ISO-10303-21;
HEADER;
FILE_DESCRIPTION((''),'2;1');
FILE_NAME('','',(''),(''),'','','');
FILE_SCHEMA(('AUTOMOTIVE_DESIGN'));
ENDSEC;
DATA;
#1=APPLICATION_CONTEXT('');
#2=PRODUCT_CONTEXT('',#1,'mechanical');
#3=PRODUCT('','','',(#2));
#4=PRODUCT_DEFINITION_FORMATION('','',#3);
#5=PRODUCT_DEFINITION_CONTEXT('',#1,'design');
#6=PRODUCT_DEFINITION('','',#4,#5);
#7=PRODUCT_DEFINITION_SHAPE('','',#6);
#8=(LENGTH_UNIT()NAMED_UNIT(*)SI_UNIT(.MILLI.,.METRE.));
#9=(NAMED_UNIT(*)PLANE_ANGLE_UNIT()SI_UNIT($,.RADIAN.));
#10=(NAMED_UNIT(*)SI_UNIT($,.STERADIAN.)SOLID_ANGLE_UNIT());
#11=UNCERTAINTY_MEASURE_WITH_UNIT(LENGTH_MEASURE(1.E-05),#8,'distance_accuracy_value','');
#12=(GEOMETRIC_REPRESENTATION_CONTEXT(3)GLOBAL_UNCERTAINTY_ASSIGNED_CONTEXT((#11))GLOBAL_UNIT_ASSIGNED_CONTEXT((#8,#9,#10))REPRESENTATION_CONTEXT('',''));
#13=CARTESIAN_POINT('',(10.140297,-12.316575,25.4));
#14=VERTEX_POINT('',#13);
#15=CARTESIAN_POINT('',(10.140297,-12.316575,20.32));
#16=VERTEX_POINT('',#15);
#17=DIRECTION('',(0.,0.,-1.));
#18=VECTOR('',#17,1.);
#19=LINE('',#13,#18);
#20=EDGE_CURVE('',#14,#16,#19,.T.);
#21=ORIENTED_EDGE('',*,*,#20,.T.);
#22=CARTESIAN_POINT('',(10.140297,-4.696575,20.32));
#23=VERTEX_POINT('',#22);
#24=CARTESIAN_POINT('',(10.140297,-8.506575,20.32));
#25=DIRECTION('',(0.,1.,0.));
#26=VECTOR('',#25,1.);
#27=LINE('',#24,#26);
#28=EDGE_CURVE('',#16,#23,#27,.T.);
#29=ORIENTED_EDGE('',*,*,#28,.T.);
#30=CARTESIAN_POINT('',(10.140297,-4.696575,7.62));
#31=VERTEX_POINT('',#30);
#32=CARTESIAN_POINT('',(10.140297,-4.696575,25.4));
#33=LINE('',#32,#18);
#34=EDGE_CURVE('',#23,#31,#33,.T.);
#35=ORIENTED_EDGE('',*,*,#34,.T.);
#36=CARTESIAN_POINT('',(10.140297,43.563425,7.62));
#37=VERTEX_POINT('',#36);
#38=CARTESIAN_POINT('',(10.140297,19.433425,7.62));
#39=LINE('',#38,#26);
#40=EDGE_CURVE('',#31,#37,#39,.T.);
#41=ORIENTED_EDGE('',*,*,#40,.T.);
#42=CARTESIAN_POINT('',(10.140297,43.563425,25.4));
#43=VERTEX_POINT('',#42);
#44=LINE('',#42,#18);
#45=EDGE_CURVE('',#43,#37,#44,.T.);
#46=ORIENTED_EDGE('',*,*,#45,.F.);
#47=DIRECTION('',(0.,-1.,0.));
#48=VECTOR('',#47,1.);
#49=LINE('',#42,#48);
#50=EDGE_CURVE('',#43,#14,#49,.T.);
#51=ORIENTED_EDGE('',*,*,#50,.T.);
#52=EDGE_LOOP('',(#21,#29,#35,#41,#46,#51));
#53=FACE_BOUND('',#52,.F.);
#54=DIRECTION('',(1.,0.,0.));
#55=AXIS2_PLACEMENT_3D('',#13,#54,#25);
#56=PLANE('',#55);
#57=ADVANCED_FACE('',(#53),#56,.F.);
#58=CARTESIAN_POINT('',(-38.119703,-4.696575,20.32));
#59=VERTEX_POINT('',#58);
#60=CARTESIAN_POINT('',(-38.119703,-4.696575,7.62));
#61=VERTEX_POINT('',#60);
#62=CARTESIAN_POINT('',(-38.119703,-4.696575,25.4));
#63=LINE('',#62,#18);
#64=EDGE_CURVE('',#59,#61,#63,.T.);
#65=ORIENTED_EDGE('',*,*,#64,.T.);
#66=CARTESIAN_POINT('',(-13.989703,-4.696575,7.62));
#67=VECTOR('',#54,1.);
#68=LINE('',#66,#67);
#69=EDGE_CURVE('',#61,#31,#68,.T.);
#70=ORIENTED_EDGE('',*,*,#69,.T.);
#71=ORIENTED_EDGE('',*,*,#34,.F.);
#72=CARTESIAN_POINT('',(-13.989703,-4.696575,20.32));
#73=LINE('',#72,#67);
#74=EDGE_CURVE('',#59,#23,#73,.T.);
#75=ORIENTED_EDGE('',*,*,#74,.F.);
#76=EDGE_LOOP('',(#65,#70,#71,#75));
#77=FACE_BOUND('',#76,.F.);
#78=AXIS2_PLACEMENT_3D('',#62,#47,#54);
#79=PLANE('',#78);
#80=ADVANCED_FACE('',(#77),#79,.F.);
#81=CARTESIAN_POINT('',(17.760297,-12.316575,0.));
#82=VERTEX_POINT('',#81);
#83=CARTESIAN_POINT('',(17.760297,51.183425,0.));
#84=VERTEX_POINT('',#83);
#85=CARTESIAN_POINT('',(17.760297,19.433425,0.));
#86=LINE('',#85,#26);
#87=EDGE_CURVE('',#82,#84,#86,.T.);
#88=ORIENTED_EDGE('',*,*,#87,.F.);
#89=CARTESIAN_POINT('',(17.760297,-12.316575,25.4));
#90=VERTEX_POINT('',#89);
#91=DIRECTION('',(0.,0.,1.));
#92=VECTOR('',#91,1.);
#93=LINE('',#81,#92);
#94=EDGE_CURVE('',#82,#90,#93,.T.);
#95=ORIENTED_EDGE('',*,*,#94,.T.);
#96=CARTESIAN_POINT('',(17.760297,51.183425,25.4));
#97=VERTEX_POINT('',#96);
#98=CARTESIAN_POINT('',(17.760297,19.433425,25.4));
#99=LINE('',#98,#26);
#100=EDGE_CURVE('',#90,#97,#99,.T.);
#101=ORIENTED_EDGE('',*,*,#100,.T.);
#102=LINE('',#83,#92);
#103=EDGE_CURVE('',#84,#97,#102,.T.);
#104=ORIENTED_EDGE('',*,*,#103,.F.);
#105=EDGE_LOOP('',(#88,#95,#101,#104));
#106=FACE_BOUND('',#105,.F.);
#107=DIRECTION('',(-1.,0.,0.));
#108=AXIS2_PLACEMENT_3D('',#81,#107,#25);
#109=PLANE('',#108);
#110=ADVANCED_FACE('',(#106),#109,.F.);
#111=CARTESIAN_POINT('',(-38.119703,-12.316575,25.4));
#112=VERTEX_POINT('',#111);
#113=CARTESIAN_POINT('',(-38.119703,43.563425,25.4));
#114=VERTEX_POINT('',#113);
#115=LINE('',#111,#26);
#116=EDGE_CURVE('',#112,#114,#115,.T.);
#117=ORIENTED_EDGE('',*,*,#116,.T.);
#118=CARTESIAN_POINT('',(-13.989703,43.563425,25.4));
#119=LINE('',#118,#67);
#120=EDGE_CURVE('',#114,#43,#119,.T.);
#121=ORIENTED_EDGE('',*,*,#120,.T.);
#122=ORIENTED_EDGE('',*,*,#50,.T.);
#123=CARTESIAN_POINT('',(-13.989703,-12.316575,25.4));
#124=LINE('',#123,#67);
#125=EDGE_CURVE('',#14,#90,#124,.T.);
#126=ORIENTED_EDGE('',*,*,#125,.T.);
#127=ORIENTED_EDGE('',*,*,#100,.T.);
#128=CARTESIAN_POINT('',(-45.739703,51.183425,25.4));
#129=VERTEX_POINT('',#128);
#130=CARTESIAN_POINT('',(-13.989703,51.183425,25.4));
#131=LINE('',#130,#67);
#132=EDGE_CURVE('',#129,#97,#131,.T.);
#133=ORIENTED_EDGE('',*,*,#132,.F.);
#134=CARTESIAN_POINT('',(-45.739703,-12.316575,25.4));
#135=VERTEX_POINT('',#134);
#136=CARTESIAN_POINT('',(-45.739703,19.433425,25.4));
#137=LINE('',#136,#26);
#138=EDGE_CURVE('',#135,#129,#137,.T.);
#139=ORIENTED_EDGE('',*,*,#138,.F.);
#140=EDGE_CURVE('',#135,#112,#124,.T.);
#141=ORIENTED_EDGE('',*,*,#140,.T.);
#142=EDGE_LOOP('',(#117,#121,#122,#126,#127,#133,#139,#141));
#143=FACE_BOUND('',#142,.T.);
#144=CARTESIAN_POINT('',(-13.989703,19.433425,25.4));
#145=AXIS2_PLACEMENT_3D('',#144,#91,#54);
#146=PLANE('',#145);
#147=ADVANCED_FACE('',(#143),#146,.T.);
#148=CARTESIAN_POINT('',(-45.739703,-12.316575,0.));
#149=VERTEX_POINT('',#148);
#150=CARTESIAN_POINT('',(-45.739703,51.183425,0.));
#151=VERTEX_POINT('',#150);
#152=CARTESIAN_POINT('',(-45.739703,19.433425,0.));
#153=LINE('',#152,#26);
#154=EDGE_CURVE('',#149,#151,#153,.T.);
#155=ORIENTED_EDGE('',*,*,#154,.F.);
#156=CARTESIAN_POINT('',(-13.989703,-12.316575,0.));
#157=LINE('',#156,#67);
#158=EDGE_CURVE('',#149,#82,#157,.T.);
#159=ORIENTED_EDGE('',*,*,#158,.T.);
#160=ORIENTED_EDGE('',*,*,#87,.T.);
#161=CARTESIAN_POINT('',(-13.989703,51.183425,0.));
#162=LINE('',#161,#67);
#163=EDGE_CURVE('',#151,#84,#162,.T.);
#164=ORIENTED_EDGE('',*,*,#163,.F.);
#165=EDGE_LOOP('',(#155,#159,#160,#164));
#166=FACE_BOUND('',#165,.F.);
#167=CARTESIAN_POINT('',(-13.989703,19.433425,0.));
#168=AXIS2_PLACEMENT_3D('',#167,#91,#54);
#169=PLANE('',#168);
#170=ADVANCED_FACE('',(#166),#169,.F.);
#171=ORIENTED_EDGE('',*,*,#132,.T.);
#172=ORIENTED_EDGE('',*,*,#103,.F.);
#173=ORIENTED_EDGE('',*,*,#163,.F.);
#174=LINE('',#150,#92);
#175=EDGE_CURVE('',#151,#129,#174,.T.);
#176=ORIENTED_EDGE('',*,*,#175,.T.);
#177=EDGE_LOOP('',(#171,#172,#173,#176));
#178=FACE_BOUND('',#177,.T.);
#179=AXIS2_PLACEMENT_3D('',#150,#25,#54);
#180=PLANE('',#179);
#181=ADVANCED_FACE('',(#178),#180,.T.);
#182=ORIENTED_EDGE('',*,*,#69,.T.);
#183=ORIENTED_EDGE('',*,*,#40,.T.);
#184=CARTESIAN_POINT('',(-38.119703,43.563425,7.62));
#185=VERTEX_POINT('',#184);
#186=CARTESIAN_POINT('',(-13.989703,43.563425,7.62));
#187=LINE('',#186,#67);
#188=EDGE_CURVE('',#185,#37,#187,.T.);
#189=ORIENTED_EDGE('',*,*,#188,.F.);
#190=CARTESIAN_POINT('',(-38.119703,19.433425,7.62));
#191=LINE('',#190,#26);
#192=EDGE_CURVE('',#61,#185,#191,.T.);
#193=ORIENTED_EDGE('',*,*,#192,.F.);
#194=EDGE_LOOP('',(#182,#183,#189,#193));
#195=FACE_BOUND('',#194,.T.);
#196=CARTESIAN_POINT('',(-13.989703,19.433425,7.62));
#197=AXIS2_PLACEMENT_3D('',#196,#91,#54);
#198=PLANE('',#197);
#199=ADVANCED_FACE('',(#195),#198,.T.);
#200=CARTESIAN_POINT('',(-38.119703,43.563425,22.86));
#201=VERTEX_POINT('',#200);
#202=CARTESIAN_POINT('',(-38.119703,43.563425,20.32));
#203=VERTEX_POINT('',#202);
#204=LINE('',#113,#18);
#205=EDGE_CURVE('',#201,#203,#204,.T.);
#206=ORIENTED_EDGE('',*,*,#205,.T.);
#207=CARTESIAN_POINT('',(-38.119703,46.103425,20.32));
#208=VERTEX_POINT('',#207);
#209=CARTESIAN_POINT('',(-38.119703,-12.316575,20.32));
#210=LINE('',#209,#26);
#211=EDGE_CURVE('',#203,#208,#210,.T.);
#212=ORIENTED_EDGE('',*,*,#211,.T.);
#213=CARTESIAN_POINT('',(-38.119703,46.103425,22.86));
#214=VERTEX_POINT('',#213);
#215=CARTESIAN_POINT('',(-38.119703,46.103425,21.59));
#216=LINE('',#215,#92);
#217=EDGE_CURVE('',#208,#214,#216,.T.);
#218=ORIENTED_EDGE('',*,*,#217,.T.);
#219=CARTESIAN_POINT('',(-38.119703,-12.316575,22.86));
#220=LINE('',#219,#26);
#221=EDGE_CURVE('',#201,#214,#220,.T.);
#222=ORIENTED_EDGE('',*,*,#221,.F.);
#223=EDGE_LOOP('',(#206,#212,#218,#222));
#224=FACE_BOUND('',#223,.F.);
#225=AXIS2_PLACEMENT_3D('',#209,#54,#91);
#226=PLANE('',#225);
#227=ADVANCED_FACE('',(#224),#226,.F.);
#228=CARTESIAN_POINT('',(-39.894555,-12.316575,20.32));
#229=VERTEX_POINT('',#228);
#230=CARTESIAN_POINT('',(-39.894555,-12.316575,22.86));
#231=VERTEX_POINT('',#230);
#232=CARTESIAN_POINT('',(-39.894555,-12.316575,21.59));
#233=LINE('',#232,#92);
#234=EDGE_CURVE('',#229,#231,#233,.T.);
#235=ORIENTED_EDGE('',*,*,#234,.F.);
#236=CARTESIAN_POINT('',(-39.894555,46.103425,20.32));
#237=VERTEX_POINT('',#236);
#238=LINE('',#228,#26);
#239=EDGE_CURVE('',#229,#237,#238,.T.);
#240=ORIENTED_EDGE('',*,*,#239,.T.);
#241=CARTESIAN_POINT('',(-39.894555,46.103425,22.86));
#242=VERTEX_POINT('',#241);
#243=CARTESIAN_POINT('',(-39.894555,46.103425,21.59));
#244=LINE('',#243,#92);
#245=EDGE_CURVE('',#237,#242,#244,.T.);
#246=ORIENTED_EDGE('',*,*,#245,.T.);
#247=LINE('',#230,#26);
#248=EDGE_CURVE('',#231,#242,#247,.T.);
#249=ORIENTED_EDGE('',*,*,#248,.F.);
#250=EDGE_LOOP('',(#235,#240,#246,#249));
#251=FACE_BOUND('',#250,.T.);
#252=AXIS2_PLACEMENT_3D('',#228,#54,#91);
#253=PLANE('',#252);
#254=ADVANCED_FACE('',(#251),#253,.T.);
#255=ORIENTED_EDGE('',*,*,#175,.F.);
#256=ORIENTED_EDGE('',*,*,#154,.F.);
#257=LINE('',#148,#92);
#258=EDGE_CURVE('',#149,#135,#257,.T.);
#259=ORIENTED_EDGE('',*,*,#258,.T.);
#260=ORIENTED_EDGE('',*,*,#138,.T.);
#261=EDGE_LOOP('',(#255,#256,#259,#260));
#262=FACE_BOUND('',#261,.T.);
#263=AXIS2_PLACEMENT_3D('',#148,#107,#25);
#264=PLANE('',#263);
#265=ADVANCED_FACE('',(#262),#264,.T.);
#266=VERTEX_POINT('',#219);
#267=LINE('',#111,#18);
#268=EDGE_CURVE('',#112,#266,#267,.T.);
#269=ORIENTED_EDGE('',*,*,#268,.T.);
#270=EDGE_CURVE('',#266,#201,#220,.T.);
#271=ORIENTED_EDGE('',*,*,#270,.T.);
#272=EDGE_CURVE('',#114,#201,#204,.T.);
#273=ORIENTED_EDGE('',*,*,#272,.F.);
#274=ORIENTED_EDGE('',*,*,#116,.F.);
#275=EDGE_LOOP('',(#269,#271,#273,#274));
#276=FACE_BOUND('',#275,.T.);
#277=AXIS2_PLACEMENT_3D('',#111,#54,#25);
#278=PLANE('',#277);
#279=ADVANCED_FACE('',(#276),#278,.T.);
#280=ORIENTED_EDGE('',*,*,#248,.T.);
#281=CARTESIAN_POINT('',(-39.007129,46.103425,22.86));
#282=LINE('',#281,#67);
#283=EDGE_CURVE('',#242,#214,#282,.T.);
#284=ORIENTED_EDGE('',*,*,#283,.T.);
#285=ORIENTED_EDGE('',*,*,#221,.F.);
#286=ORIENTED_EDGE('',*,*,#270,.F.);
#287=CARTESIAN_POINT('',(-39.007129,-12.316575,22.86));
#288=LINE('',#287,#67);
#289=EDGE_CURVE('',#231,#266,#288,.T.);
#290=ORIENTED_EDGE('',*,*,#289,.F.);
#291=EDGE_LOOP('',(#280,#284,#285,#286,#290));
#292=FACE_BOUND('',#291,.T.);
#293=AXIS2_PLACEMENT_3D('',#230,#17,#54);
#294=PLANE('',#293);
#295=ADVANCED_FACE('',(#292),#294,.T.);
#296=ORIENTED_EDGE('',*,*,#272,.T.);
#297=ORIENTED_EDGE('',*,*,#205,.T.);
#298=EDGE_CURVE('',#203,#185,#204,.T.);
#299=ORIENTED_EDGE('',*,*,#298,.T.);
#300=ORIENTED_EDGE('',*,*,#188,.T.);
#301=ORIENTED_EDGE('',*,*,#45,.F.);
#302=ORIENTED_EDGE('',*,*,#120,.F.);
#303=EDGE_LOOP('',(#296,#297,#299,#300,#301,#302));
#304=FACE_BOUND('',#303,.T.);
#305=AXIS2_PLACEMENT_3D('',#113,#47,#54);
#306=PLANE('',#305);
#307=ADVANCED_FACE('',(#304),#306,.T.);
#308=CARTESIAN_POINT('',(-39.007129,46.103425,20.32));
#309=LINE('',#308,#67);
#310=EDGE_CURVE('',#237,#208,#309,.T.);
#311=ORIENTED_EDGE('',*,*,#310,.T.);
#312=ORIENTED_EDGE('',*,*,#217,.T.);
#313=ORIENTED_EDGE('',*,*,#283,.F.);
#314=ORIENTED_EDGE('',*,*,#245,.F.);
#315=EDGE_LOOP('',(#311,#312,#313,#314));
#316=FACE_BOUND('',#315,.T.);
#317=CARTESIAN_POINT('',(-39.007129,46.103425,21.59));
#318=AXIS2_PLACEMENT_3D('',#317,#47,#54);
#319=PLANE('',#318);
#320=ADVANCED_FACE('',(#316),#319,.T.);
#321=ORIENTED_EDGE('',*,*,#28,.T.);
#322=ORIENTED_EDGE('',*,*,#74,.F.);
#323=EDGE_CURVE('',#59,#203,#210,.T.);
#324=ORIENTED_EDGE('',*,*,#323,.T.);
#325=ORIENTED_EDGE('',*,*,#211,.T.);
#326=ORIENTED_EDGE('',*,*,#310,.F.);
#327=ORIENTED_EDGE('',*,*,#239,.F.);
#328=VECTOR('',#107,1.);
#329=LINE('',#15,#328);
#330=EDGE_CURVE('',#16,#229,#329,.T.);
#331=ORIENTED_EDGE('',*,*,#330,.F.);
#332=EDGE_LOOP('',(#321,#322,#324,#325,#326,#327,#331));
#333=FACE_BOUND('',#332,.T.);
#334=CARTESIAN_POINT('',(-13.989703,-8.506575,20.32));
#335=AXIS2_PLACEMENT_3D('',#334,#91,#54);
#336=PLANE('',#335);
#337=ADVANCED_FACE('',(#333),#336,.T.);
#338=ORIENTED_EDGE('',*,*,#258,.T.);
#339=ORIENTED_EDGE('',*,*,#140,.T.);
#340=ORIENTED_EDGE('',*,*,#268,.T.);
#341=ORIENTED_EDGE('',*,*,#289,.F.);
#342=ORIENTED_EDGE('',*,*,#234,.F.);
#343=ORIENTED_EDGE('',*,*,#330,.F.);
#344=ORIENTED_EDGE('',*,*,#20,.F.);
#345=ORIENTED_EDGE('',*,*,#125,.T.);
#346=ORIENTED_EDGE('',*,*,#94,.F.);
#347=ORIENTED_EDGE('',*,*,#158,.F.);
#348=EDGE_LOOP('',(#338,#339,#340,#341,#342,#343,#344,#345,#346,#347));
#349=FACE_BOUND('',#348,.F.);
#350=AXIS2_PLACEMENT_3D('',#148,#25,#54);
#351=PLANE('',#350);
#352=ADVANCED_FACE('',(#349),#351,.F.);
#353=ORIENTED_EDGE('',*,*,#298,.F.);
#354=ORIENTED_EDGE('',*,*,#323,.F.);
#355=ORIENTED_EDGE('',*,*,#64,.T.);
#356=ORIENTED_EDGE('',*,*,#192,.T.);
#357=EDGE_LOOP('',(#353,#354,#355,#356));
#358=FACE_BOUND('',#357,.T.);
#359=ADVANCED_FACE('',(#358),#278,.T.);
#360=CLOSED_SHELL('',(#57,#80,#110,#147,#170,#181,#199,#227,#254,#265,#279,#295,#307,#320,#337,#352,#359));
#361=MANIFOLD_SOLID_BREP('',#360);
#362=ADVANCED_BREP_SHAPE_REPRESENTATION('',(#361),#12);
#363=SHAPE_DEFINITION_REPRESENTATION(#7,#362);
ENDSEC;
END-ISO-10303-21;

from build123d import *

# Parameters (mm, degrees)
F0_W     = 63.5
F0_H     = 63.5
F1_DEPTH = 25.4
F2_W     = 48.26
F2_H     = 48.26
F3_DEPTH = 17.78
F4_W     = 48.26
F4_H     = 7.62
F5_DEPTH = 5.08
F6_W     = 1.774852
F6_H     = 2.54
F7_DEPTH = 58.42


with BuildPart() as f1:
    # F0 (on Top) → F1 (new body)
    with BuildSketch(Plane.XY):
        with Locations((-13.989703, 19.433425)):
            Rectangle(F0_W, F0_H)
    extrude(amount=F1_DEPTH)

    # F2 (on face) → F3 (cut)
    with BuildSketch(Plane.XY.offset(25.4)):
        with Locations((-13.989703, 19.433425)):
            Rectangle(F2_W, F2_H)
    extrude(amount=-F3_DEPTH, mode=Mode.SUBTRACT)

    # F4 (on face) → F5 (cut)
    with BuildSketch(Plane.XY.offset(25.4)):
        with Locations((-13.989703, -8.506575)):
            Rectangle(F4_W, F4_H)
    extrude(amount=-F5_DEPTH, mode=Mode.SUBTRACT)

    # F6 (on face) → F7 (cut)
    with BuildSketch(Plane.XZ.offset(12.316575)):
        with Locations((-39.007129, 21.59)):
            Rectangle(F6_W, F6_H)
    extrude(amount=-F7_DEPTH, mode=Mode.SUBTRACT)


solid = f1.part
